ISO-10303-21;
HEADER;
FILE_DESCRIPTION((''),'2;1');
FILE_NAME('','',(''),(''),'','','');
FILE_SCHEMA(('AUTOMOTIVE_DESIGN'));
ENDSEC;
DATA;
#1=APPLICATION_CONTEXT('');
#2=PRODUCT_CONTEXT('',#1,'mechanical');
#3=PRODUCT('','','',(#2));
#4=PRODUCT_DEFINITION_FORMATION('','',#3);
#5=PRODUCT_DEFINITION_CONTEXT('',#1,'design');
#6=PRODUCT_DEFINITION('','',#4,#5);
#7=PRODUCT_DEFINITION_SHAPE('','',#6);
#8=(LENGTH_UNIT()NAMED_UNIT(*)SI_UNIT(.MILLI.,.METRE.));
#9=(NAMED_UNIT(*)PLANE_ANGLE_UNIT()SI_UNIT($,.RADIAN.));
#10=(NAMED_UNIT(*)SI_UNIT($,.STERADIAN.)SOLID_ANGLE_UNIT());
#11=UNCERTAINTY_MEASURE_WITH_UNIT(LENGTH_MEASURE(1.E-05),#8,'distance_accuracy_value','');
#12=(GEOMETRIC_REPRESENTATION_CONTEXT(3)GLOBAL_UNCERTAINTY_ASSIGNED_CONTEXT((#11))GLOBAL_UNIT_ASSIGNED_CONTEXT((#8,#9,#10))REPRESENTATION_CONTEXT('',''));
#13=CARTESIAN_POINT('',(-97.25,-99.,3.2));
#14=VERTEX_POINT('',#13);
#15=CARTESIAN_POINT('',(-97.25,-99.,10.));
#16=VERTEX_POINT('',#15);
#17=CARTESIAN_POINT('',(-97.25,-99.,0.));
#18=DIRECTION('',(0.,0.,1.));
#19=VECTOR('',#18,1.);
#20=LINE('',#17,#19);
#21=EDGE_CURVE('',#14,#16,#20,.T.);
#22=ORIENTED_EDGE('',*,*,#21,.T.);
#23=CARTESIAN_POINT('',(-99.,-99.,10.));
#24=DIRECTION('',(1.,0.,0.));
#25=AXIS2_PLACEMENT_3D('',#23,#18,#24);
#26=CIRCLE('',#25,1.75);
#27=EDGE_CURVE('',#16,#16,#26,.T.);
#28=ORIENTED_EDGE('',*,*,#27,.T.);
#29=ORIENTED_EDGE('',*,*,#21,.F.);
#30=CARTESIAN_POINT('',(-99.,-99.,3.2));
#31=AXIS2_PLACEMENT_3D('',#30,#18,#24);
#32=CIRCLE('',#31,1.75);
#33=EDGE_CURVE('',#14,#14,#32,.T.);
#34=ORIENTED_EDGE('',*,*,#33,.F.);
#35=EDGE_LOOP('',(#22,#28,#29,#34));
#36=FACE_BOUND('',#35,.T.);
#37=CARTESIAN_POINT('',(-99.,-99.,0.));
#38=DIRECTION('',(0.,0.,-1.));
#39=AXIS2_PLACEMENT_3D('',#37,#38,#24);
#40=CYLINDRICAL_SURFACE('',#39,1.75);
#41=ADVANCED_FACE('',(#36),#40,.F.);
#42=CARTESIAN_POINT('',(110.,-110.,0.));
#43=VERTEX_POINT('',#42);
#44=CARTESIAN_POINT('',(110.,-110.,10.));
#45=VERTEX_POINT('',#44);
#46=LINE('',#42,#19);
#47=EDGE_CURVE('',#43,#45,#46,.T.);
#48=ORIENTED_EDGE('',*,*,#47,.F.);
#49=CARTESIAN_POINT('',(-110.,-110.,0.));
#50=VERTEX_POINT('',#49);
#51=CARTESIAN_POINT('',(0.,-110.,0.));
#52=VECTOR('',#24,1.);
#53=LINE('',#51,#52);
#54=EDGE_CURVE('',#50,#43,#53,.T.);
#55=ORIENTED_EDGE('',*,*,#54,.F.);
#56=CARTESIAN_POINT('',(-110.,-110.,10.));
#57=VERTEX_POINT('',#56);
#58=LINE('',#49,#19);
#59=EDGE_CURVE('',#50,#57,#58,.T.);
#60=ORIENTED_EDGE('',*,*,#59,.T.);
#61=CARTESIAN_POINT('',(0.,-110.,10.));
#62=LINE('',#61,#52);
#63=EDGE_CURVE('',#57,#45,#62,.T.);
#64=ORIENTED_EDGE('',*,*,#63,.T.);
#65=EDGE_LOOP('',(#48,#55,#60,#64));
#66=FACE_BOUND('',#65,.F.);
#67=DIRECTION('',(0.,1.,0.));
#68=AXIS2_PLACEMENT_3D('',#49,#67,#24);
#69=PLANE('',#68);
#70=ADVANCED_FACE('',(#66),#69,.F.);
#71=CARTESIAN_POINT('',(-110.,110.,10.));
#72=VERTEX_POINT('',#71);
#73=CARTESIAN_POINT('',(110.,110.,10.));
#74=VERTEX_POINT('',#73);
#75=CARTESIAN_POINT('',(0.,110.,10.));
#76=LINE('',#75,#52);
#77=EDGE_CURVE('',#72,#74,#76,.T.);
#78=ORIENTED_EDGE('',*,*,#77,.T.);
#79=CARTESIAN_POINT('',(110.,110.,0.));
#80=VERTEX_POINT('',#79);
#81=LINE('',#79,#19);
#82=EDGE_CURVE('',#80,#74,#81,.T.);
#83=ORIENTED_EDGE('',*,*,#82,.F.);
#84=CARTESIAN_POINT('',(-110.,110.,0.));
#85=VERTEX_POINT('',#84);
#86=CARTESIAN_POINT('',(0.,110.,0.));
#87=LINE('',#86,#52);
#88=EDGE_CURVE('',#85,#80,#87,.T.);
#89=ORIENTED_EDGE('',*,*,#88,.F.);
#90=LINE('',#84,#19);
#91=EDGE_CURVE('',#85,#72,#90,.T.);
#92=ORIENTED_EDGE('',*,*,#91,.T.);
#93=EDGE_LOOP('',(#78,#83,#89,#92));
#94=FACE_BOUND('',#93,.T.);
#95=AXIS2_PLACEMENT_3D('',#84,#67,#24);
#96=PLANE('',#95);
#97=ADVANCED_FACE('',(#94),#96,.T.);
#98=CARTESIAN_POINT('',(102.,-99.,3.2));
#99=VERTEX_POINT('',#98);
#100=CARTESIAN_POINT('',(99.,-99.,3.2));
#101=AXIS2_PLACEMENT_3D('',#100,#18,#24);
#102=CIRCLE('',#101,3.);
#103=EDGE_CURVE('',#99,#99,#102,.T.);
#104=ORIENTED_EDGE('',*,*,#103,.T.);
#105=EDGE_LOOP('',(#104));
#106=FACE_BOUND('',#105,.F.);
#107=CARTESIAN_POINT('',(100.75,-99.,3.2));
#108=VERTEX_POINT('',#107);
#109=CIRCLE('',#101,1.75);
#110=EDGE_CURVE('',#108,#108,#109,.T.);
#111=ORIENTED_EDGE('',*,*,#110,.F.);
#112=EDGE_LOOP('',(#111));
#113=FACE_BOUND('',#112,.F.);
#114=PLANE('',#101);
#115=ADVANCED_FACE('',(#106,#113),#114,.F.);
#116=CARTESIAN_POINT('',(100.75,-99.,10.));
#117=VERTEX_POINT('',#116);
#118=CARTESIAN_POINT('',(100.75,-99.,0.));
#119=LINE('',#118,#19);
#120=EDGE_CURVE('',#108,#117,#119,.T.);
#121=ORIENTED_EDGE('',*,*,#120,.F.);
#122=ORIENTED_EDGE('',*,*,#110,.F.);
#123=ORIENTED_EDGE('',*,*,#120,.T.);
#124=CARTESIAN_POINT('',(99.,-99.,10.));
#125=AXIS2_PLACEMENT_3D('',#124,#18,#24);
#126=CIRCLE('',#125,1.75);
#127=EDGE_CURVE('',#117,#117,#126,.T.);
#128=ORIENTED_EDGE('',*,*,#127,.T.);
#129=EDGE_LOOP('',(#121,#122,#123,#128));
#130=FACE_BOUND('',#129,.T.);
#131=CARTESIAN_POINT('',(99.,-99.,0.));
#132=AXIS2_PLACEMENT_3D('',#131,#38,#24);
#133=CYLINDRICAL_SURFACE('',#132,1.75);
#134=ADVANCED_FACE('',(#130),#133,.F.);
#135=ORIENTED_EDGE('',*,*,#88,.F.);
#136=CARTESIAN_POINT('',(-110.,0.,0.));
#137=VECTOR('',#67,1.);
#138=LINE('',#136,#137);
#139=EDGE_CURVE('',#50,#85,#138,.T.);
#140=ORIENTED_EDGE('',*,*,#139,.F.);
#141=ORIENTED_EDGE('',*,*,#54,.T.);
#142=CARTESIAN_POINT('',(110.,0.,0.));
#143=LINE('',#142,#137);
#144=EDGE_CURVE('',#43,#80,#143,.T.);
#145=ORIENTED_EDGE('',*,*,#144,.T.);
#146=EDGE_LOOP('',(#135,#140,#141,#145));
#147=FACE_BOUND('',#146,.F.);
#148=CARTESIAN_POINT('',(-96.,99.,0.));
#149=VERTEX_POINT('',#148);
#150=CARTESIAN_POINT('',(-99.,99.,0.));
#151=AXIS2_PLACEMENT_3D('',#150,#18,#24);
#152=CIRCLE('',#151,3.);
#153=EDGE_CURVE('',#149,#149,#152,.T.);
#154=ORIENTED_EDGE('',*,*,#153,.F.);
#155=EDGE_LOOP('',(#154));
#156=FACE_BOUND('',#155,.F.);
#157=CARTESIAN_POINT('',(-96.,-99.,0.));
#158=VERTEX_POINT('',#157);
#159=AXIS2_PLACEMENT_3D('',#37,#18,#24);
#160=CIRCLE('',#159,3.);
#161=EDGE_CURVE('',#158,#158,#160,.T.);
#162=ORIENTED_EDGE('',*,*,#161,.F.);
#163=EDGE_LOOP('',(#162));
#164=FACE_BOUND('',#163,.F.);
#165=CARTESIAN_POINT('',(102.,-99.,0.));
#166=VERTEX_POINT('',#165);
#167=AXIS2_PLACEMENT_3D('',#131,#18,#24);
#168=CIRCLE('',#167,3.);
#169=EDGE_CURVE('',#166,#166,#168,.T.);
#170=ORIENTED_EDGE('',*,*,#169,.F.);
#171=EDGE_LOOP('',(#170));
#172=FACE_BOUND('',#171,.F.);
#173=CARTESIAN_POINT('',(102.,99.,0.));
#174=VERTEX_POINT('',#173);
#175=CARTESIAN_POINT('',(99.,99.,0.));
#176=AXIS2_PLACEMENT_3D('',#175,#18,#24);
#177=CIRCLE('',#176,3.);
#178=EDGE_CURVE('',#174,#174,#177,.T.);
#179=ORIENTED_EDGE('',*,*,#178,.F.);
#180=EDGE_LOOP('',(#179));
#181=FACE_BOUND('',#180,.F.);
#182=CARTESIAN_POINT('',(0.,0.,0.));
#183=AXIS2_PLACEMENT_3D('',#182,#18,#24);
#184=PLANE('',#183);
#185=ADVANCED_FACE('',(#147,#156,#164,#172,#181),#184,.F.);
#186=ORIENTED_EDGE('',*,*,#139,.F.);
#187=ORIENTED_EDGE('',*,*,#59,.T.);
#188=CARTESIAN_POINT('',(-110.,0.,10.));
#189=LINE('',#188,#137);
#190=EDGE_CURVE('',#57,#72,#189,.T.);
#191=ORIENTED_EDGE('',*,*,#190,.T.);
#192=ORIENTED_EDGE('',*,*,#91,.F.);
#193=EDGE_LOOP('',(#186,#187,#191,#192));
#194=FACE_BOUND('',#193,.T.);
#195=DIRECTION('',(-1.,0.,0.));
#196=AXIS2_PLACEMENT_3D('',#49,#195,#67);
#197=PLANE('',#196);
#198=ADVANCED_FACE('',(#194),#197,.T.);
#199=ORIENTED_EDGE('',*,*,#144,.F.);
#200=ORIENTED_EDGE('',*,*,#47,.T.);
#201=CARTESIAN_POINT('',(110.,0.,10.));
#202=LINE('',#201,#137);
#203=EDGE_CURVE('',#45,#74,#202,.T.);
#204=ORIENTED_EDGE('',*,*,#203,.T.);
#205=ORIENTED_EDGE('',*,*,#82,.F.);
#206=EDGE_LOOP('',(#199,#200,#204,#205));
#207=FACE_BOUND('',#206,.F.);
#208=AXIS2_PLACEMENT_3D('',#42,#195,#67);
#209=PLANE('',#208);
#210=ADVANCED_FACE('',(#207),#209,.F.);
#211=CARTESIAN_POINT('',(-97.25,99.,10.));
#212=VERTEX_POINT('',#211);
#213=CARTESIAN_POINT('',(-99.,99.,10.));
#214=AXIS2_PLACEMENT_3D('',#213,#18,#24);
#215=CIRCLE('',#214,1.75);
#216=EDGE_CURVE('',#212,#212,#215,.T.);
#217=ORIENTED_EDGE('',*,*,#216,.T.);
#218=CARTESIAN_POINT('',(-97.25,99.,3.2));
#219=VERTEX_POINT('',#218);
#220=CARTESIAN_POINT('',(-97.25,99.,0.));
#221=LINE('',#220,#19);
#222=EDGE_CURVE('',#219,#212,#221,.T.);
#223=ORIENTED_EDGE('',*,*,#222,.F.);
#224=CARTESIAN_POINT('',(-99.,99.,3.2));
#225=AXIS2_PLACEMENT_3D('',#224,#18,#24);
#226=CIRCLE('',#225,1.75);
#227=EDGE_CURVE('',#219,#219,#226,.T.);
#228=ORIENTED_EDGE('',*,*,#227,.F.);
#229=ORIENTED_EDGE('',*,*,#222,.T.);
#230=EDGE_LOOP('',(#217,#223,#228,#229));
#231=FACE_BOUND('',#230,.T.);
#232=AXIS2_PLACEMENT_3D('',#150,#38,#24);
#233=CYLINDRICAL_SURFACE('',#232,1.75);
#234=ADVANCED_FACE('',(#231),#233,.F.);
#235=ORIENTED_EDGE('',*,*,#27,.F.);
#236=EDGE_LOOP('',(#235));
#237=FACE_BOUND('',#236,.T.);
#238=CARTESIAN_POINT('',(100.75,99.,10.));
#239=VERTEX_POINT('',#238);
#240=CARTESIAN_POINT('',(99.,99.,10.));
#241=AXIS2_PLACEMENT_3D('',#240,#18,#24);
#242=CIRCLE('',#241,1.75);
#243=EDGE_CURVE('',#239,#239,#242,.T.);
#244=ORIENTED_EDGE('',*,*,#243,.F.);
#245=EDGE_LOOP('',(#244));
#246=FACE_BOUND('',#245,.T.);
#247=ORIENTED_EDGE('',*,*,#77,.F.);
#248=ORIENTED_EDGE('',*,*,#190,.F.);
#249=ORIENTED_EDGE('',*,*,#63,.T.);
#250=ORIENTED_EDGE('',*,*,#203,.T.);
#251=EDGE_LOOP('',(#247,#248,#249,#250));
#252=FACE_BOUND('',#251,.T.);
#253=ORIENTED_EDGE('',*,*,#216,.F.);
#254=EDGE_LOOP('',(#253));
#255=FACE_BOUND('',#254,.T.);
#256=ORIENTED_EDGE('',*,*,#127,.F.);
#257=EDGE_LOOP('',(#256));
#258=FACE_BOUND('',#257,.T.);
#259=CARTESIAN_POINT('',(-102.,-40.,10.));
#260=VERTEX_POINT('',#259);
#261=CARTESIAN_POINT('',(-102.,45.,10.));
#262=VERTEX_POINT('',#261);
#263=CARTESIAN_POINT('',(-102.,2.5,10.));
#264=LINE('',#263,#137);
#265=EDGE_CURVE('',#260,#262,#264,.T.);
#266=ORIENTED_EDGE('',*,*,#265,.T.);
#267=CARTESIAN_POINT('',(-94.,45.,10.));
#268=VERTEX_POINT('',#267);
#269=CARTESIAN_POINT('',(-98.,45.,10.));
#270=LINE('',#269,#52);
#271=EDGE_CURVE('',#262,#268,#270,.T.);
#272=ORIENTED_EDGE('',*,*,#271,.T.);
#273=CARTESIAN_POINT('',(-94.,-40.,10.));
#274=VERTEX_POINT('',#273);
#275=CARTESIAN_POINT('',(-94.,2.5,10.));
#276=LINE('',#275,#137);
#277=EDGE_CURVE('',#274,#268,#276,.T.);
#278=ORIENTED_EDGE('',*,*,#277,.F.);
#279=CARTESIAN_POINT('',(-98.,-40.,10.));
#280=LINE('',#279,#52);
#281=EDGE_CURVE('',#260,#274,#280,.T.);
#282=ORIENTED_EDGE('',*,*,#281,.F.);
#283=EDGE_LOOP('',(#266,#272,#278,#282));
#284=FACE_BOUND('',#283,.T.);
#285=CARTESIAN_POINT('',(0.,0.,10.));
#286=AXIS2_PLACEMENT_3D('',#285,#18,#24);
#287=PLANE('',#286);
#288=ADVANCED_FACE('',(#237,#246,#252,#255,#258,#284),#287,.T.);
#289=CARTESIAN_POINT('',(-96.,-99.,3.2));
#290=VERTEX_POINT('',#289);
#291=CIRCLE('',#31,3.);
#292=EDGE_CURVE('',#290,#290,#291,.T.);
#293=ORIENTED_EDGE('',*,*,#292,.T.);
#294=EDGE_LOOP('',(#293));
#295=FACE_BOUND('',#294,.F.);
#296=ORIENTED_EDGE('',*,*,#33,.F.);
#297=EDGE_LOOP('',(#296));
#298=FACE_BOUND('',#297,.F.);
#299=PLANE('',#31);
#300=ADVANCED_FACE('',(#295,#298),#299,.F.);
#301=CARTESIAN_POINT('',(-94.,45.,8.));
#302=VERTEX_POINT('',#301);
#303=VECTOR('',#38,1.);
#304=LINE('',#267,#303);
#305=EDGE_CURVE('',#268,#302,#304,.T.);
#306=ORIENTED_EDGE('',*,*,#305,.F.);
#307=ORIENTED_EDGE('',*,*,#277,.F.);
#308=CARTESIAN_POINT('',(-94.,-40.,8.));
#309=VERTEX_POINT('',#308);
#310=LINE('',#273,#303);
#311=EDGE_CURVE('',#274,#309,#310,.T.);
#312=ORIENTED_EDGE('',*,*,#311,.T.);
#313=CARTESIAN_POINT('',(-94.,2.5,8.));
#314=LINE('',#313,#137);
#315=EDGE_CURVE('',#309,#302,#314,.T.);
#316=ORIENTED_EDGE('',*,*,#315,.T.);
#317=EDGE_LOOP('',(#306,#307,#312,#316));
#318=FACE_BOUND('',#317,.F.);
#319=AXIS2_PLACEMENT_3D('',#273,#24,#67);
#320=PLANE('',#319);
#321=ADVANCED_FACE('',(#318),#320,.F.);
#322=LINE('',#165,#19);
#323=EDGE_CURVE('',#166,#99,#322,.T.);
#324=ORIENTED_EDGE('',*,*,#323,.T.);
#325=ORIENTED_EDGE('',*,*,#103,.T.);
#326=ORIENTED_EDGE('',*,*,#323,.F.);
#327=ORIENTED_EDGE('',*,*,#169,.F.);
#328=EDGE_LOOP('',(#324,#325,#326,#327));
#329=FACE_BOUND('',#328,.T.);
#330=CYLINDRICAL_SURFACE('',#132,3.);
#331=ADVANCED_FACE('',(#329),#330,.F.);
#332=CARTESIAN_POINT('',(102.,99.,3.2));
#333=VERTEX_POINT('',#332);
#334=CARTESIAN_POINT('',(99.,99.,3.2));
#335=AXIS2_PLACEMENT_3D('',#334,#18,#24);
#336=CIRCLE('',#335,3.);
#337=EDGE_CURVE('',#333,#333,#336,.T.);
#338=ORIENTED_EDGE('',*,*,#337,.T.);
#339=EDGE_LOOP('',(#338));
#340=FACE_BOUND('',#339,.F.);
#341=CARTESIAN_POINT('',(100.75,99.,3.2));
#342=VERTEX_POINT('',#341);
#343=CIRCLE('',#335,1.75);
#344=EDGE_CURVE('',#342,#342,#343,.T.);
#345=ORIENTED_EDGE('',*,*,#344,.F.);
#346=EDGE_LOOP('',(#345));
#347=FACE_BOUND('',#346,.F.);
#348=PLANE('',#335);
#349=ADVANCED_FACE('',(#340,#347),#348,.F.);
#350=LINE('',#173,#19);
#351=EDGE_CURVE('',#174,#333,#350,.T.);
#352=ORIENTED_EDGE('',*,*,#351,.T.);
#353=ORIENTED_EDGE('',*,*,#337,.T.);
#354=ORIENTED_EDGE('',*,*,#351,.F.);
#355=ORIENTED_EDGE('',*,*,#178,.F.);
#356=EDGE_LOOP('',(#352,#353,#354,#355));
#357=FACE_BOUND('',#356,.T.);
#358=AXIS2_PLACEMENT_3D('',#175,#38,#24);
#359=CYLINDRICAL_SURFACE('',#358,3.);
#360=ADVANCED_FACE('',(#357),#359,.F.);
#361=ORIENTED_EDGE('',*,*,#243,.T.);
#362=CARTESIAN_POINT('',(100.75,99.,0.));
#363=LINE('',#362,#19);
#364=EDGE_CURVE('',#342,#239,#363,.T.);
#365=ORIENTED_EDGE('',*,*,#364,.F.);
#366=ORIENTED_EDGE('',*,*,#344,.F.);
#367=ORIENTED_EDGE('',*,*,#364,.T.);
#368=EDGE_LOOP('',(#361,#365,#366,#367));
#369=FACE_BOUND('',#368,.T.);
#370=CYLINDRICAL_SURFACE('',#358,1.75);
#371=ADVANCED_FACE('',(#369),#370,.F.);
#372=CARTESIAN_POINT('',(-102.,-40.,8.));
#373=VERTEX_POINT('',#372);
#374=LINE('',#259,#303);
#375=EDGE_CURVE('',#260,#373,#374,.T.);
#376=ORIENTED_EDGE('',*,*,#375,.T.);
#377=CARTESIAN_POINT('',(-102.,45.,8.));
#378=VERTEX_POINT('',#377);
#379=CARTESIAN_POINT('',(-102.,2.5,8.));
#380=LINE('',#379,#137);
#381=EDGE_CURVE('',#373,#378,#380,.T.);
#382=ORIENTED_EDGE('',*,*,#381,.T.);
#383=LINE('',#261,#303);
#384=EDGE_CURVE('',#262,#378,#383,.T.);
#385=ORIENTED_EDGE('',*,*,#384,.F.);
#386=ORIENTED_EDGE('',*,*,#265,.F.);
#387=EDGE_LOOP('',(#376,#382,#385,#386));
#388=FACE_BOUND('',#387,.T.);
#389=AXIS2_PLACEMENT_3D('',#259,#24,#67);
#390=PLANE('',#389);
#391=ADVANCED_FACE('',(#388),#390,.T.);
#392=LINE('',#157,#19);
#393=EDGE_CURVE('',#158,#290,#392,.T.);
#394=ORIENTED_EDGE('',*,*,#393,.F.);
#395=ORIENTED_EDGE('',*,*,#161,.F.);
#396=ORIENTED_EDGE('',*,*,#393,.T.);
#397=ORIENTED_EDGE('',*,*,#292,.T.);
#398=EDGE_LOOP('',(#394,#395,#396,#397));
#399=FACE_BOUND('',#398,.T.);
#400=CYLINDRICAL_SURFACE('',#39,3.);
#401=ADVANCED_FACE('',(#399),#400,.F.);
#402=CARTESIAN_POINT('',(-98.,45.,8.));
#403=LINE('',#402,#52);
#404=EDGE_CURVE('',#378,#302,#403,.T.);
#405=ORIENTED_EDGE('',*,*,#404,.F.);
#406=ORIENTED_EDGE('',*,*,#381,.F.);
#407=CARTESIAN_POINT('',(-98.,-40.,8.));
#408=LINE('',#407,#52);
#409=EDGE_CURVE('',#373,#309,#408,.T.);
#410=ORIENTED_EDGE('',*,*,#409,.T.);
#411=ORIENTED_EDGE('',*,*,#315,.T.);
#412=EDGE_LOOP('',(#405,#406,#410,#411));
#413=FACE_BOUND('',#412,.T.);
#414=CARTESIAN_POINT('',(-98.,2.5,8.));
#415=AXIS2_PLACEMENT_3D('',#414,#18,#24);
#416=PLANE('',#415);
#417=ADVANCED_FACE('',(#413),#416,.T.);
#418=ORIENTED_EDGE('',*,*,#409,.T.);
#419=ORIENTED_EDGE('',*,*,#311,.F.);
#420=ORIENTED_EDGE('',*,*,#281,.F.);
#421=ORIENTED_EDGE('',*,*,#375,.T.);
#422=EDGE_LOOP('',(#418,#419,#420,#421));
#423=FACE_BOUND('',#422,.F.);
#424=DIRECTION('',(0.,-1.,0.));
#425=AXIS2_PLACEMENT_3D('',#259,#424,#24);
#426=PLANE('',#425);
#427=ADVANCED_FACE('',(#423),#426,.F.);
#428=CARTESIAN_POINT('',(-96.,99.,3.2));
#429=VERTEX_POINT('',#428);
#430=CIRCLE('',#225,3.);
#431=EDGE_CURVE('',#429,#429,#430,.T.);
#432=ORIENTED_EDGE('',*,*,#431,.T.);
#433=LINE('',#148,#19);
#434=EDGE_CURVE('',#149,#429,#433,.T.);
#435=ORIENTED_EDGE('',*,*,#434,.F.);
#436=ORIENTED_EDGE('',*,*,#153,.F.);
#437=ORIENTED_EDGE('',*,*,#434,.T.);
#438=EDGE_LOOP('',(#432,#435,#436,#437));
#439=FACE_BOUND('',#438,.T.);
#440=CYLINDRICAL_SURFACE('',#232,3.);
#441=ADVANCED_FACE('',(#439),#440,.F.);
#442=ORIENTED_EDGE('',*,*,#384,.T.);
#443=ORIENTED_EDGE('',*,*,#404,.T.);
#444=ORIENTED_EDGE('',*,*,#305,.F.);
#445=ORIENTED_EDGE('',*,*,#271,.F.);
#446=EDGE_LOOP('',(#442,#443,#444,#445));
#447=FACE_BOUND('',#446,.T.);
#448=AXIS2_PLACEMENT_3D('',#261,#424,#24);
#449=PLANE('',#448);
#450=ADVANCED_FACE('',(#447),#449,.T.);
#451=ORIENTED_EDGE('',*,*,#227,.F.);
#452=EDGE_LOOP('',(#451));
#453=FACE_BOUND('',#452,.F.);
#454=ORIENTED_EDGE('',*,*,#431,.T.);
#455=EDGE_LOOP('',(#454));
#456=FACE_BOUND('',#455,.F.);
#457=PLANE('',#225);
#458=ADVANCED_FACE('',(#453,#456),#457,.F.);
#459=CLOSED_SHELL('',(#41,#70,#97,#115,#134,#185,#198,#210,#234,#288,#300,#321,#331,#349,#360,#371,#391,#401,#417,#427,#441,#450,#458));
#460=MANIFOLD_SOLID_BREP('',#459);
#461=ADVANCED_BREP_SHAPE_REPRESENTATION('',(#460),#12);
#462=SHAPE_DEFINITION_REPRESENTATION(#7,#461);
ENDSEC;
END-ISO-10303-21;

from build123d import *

# Parameters (mm, degrees)
F0_W     = 220
F0_H     = 220
F0_R     = 3
F0_R_2   = 1.75
F1_DEPTH = 10
F2_DEPTH = 3.2
F3_W     = 8
F3_H     = 85
F4_DEPTH = 2


with BuildPart() as f1:
    # F0 (on Top) → F1 (new body)
    with BuildSketch(Plane.XY):
        Rectangle(F0_W, F0_H)
        with Locations((-99, -99)):
            Circle(F0_R, mode=Mode.SUBTRACT)
        with Locations((99, -99)):
            Circle(F0_R, mode=Mode.SUBTRACT)
        with Locations((-99, 99)):
            Circle(F0_R, mode=Mode.SUBTRACT)
        with Locations((99, 99)):
            Circle(F0_R, mode=Mode.SUBTRACT)
        with Locations((-99, 99)):
            Circle(F0_R)
        with Locations((-99, 99)):
            Circle(F0_R_2, mode=Mode.SUBTRACT)
        with Locations((99, 99)):
            Circle(F0_R)
        with Locations((99, 99)):
            Circle(F0_R_2, mode=Mode.SUBTRACT)
        with Locations((99, -99)):
            Circle(F0_R)
        with Locations((99, -99)):
            Circle(F0_R_2, mode=Mode.SUBTRACT)
        with Locations((-99, -99)):
            Circle(F0_R)
        with Locations((-99, -99)):
            Circle(F0_R_2, mode=Mode.SUBTRACT)
    extrude(amount=F1_DEPTH)

    # F0 (on Top) → F2 (cut)
    with BuildSketch(Plane.XY):
        with Locations((-99, -99)):
            Circle(F0_R)
        with Locations((-99, -99)):
            Circle(F0_R_2, mode=Mode.SUBTRACT)
        with Locations((99, -99)):
            Circle(F0_R)
        with Locations((99, -99)):
            Circle(F0_R_2, mode=Mode.SUBTRACT)
        with Locations((99, 99)):
            Circle(F0_R)
        with Locations((99, 99)):
            Circle(F0_R_2, mode=Mode.SUBTRACT)
        with Locations((-99, 99)):
            Circle(F0_R)
        with Locations((-99, 99)):
            Circle(F0_R_2, mode=Mode.SUBTRACT)
    extrude(amount=F2_DEPTH, mode=Mode.SUBTRACT)

    # F3 (on face) → F4 (cut)
    with BuildSketch(Plane.XY.offset(10)):
        with Locations((-98, 2.5)):
            Rectangle(F3_W, F3_H)
    extrude(amount=-F4_DEPTH, mode=Mode.SUBTRACT)


solid = f1.part
